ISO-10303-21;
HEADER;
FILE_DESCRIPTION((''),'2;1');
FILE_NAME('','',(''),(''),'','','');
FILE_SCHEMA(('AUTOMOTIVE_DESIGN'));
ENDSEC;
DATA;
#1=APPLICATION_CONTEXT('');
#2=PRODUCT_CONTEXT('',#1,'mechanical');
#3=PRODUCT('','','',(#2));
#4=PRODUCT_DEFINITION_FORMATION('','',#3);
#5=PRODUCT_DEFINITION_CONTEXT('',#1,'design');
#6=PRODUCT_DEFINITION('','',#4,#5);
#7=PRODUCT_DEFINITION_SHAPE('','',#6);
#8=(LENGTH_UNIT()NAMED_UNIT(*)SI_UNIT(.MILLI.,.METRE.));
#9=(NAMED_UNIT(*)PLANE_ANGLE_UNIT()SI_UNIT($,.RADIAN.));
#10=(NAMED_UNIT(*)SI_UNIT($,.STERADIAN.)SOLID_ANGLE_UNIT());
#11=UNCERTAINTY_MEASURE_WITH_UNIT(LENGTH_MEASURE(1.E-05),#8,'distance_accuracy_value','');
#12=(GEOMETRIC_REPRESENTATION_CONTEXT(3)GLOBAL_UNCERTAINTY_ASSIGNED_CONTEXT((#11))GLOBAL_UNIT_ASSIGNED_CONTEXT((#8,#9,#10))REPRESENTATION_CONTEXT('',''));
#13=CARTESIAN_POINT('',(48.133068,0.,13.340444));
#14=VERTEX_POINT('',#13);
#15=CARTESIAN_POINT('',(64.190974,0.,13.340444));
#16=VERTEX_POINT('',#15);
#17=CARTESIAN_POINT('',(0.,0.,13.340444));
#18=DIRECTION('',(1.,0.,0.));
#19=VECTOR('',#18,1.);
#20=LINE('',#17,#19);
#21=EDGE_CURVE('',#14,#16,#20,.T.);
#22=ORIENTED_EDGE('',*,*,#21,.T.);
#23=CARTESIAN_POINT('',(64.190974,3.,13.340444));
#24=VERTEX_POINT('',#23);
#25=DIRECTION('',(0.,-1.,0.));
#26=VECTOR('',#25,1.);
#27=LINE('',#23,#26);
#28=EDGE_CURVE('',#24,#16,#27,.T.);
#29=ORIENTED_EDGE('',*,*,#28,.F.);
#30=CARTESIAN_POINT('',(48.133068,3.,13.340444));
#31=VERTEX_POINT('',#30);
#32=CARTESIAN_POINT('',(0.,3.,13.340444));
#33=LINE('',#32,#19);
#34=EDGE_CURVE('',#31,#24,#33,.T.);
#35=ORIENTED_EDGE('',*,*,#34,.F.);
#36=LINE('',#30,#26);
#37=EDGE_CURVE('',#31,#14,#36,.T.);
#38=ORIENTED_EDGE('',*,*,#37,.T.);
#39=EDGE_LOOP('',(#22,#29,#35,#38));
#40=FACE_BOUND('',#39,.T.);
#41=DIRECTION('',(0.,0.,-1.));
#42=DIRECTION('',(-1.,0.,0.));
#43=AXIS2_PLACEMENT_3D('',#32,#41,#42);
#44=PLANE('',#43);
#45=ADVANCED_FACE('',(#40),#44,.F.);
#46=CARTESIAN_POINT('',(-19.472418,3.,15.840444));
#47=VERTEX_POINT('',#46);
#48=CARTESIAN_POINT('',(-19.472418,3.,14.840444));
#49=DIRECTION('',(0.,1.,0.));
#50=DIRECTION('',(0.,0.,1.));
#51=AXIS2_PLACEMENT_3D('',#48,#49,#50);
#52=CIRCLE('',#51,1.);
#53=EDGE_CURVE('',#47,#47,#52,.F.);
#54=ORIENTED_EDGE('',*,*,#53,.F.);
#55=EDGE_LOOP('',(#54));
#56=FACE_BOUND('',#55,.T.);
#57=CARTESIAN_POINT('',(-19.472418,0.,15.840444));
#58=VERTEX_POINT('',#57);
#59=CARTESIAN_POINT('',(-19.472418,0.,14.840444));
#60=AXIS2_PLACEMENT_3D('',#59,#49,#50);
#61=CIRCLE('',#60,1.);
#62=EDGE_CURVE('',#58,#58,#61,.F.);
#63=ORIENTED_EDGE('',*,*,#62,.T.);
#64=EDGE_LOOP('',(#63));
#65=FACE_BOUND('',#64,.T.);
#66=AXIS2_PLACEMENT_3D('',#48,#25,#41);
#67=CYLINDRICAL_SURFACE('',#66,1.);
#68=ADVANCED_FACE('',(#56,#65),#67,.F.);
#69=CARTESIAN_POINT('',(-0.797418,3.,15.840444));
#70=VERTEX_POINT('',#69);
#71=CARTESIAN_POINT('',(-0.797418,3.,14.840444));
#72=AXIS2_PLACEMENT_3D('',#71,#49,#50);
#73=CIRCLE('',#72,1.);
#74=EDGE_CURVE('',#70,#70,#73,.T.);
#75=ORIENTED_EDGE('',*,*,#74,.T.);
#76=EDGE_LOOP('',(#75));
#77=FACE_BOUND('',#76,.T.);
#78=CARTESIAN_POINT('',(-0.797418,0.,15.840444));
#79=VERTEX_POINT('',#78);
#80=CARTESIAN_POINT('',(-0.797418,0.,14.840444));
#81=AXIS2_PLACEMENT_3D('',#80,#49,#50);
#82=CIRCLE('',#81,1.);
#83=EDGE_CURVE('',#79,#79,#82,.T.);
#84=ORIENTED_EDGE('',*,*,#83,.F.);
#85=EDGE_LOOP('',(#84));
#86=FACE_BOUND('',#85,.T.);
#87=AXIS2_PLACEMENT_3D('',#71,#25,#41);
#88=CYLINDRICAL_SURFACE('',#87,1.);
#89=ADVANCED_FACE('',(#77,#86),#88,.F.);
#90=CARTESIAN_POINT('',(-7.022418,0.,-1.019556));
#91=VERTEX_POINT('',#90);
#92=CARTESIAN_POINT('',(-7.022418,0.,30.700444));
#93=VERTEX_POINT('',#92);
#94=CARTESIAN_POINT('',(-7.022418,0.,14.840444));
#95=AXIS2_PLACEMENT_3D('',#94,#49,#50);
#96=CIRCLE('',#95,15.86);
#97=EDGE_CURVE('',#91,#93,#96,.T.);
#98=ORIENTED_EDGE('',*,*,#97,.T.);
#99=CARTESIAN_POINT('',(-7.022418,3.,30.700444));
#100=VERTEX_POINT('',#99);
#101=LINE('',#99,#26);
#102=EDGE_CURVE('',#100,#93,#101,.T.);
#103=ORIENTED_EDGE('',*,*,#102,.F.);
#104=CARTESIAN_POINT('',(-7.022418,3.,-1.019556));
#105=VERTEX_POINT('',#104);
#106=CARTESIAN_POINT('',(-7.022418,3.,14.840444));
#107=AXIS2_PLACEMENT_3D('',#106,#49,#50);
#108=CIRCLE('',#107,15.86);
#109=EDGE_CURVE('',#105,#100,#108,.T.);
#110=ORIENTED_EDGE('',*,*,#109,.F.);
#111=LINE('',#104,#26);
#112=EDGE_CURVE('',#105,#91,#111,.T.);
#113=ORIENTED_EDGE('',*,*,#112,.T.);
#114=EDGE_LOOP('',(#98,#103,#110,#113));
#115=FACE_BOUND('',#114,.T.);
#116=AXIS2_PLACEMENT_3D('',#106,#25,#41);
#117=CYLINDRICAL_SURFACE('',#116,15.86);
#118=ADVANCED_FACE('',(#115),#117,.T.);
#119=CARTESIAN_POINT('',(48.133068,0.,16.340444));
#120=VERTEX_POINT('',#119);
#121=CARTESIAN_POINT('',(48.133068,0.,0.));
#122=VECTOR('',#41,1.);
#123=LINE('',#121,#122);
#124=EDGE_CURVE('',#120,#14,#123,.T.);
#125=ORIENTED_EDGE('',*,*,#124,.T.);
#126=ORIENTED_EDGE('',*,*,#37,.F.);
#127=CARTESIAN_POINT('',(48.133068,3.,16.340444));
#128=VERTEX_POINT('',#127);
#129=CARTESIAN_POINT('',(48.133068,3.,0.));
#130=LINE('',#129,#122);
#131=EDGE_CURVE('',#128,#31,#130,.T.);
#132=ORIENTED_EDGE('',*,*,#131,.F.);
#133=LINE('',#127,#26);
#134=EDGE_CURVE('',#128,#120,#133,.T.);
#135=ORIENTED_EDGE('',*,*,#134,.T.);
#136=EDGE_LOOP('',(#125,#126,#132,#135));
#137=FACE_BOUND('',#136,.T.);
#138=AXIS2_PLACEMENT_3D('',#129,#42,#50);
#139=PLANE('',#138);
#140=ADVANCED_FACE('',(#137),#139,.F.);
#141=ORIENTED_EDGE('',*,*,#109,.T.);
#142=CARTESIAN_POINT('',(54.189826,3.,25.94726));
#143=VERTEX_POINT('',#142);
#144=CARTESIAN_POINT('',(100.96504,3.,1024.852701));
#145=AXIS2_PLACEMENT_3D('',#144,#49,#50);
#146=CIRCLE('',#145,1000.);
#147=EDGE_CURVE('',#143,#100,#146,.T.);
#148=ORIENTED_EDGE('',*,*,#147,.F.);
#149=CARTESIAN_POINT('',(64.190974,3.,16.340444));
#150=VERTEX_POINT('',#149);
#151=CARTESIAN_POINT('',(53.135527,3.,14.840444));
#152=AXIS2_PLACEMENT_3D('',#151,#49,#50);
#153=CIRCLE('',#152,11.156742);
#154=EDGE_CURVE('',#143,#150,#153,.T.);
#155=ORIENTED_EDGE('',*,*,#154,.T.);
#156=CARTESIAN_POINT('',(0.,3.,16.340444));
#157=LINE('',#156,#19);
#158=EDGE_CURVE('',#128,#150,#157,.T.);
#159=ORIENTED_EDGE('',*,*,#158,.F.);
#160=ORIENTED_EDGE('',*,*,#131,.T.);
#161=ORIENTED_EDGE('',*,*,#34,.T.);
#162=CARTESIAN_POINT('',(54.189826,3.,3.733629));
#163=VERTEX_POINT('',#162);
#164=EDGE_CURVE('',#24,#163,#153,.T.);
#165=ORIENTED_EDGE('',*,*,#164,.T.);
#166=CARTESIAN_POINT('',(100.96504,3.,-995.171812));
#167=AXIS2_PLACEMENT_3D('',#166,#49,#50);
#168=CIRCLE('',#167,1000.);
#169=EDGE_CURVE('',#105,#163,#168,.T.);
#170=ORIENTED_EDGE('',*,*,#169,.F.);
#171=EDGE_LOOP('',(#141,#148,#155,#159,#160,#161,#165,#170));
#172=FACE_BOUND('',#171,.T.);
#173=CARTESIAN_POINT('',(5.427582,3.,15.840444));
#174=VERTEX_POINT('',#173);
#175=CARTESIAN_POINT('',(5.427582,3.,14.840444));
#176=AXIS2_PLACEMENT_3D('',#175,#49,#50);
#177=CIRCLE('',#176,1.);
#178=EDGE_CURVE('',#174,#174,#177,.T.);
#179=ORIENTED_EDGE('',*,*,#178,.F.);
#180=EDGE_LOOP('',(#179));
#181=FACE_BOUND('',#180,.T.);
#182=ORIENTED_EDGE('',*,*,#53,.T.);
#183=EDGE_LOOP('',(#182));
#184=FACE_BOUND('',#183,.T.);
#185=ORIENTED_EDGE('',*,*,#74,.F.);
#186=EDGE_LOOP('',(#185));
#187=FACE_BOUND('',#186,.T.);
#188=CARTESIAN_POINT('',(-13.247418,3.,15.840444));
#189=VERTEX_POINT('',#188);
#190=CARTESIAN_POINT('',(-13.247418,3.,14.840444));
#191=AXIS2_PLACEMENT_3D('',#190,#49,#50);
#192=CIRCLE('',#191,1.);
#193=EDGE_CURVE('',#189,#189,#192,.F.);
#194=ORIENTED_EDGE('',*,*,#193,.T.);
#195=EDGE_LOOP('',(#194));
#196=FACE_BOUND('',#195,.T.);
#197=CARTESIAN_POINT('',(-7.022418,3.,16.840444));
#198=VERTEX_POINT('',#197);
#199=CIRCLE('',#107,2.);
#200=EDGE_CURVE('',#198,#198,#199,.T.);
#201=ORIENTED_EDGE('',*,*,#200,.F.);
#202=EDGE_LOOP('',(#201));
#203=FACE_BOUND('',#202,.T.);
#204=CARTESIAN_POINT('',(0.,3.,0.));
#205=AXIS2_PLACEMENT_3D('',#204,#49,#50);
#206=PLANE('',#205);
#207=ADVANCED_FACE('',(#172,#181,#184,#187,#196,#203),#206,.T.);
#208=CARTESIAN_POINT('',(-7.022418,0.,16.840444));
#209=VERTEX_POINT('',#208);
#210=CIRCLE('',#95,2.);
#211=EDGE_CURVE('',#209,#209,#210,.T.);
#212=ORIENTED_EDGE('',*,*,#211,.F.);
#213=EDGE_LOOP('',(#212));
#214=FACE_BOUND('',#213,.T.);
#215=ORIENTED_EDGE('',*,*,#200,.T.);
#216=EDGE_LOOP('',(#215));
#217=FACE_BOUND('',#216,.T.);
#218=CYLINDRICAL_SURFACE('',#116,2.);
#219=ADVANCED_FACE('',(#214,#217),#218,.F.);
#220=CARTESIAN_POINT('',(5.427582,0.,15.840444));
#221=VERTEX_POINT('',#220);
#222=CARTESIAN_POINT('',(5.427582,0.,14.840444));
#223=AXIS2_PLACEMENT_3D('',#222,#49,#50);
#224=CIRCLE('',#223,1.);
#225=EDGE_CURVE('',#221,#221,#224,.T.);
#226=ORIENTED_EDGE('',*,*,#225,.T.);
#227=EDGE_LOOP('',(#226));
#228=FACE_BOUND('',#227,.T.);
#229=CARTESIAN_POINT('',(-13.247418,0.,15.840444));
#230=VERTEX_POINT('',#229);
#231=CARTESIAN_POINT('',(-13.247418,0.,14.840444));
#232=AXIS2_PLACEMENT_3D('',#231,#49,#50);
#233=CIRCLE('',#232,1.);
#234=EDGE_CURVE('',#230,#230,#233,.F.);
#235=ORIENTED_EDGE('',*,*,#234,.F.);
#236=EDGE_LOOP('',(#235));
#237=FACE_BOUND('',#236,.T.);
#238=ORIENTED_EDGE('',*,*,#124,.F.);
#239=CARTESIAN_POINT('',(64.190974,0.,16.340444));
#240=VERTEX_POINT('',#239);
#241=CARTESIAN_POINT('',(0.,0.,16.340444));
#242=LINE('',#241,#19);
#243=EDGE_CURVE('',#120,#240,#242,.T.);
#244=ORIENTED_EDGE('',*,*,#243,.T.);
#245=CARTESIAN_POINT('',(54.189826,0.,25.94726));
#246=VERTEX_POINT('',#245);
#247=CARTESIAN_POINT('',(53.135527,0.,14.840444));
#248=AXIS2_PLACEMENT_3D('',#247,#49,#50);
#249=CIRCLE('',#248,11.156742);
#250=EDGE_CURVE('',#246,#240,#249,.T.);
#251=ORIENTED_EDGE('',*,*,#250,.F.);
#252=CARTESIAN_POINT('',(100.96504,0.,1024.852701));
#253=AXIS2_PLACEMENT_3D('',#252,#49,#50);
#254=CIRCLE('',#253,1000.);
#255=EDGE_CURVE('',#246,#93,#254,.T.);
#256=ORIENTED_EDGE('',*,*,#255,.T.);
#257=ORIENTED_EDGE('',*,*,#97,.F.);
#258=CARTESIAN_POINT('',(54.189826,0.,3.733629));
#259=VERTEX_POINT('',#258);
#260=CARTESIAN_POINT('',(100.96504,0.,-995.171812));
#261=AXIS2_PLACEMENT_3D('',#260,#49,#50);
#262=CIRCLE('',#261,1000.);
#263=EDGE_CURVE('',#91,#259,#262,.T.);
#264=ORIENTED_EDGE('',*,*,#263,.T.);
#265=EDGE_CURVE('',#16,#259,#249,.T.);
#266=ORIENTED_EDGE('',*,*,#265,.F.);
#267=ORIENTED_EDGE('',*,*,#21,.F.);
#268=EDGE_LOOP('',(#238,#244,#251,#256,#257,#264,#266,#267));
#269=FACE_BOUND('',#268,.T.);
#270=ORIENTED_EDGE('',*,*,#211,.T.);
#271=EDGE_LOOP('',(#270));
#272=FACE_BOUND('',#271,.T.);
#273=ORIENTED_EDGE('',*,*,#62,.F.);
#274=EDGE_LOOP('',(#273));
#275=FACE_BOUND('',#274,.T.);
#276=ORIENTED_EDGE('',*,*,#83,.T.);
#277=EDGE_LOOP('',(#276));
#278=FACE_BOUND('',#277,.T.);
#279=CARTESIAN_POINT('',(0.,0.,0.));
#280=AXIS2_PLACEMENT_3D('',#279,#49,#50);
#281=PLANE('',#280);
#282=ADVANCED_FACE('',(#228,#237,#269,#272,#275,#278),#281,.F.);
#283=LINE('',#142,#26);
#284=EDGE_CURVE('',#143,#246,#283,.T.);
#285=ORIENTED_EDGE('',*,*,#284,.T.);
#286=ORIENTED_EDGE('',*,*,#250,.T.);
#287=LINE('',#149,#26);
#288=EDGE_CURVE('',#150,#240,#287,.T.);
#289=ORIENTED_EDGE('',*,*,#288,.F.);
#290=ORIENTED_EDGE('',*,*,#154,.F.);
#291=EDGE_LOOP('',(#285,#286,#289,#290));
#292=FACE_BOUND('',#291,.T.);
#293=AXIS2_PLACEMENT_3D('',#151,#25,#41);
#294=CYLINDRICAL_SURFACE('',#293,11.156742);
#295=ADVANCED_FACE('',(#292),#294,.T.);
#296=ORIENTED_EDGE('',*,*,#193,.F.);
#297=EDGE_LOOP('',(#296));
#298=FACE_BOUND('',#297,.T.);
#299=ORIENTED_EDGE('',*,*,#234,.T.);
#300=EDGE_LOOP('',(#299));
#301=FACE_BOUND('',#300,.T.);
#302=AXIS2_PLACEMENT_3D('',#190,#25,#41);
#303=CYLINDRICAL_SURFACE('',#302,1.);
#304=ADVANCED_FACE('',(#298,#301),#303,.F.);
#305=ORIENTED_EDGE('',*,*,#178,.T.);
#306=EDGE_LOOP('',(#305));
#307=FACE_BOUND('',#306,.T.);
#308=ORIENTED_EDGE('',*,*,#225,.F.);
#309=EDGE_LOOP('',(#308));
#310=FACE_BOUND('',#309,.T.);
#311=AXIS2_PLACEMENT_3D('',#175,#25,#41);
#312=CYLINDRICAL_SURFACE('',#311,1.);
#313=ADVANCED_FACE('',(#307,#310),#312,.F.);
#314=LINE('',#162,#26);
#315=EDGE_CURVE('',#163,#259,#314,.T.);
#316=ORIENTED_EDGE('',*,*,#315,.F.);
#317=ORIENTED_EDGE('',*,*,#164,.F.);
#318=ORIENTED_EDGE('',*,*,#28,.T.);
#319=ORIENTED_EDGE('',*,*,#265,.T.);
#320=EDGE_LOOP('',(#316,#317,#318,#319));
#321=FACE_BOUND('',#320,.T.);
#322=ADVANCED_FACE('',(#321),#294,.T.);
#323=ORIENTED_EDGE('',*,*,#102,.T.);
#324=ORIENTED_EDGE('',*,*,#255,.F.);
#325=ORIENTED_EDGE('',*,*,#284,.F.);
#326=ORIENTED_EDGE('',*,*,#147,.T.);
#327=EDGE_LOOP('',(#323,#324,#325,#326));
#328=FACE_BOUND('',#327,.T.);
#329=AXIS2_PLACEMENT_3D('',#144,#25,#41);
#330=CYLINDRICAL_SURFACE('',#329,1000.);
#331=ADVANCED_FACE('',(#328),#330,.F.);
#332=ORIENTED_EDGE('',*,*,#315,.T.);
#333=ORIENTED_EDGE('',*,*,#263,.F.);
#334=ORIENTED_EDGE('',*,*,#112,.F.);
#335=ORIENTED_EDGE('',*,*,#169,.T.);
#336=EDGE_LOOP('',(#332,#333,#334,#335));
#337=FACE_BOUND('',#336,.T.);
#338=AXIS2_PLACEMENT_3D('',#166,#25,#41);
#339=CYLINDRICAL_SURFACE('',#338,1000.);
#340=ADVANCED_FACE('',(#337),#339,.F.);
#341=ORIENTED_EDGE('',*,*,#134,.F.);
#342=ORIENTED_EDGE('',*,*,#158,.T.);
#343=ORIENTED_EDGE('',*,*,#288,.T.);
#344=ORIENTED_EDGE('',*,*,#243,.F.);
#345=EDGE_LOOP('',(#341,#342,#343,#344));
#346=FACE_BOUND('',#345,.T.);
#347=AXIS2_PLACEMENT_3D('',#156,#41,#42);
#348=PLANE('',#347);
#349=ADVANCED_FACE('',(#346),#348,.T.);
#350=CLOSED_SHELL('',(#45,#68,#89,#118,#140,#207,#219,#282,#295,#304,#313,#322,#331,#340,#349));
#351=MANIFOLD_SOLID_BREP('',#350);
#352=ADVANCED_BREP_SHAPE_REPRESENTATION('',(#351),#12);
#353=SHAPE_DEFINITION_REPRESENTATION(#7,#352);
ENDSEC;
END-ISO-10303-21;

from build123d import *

# Parameters (mm, degrees)
SKETCH1_R           = 1
SKETCH1_R_2         = 2
BOSS_EXTRUDE1_DEPTH = 3


with BuildPart() as part:
    # Sketch1 → Boss-Extrude1 (new body)
    with BuildSketch(Plane(origin=(0, 0, 0), x_dir=(1, 0, 0), z_dir=(0, 1, 0))):
        with BuildLine():
            Line((64.190973866, -16.340444348), (48.133067619, -16.340444348))
            Line((48.133067619, -16.340444348), (48.133067619, -13.340444349))
            Line((48.133067619, -13.340444349), (64.190973866, -13.340444349))
            ThreePointArc((64.190973866, -13.340444349), (60.864318365, -6.794408764), (54.189826358, -3.733628612))
            ThreePointArc((54.189826358, -3.733628612), (53.662670154, -3.708804342), (53.135527124, -3.683701873))
            ThreePointArc((53.135527124, -3.683701873), (24.702146142, -1.915932839), (-3.669341235, 0.661054823))
            ThreePointArc((-3.669341235, 0.661054823), (-5.346030709, 0.838891836), (-7.022417949, 1.019555652))
            ThreePointArc((-7.022417949, 1.019555652), (-22.882417949, -14.840444348), (-7.022417949, -30.700444348))
            ThreePointArc((-7.022417949, -30.700444348), (-5.346030709, -30.519780533), (-3.669341235, -30.341943519))
            ThreePointArc((-3.669341235, -30.341943519), (24.702146142, -27.764955858), (53.135527124, -25.997186824))
            ThreePointArc((53.135527124, -25.997186824), (53.662670154, -25.972084355), (54.189826358, -25.947260084))
            ThreePointArc((54.189826358, -25.947260084), (60.864318365, -22.886479933), (64.190973866, -16.340444348))
        make_face()
        with Locations((-19.472417949, -14.840444348)):
            Circle(SKETCH1_R, mode=Mode.SUBTRACT)
        with Locations((-13.247417949, -14.840444348)):
            Circle(SKETCH1_R, mode=Mode.SUBTRACT)
        with Locations((-7.022417949, -14.840444348)):
            Circle(SKETCH1_R_2, mode=Mode.SUBTRACT)
        with Locations((-0.797417949, -14.840444348)):
            Circle(SKETCH1_R, mode=Mode.SUBTRACT)
        with Locations((5.427582051, -14.840444348)):
            Circle(SKETCH1_R, mode=Mode.SUBTRACT)
    extrude(amount=BOSS_EXTRUDE1_DEPTH)


solid = part.part
